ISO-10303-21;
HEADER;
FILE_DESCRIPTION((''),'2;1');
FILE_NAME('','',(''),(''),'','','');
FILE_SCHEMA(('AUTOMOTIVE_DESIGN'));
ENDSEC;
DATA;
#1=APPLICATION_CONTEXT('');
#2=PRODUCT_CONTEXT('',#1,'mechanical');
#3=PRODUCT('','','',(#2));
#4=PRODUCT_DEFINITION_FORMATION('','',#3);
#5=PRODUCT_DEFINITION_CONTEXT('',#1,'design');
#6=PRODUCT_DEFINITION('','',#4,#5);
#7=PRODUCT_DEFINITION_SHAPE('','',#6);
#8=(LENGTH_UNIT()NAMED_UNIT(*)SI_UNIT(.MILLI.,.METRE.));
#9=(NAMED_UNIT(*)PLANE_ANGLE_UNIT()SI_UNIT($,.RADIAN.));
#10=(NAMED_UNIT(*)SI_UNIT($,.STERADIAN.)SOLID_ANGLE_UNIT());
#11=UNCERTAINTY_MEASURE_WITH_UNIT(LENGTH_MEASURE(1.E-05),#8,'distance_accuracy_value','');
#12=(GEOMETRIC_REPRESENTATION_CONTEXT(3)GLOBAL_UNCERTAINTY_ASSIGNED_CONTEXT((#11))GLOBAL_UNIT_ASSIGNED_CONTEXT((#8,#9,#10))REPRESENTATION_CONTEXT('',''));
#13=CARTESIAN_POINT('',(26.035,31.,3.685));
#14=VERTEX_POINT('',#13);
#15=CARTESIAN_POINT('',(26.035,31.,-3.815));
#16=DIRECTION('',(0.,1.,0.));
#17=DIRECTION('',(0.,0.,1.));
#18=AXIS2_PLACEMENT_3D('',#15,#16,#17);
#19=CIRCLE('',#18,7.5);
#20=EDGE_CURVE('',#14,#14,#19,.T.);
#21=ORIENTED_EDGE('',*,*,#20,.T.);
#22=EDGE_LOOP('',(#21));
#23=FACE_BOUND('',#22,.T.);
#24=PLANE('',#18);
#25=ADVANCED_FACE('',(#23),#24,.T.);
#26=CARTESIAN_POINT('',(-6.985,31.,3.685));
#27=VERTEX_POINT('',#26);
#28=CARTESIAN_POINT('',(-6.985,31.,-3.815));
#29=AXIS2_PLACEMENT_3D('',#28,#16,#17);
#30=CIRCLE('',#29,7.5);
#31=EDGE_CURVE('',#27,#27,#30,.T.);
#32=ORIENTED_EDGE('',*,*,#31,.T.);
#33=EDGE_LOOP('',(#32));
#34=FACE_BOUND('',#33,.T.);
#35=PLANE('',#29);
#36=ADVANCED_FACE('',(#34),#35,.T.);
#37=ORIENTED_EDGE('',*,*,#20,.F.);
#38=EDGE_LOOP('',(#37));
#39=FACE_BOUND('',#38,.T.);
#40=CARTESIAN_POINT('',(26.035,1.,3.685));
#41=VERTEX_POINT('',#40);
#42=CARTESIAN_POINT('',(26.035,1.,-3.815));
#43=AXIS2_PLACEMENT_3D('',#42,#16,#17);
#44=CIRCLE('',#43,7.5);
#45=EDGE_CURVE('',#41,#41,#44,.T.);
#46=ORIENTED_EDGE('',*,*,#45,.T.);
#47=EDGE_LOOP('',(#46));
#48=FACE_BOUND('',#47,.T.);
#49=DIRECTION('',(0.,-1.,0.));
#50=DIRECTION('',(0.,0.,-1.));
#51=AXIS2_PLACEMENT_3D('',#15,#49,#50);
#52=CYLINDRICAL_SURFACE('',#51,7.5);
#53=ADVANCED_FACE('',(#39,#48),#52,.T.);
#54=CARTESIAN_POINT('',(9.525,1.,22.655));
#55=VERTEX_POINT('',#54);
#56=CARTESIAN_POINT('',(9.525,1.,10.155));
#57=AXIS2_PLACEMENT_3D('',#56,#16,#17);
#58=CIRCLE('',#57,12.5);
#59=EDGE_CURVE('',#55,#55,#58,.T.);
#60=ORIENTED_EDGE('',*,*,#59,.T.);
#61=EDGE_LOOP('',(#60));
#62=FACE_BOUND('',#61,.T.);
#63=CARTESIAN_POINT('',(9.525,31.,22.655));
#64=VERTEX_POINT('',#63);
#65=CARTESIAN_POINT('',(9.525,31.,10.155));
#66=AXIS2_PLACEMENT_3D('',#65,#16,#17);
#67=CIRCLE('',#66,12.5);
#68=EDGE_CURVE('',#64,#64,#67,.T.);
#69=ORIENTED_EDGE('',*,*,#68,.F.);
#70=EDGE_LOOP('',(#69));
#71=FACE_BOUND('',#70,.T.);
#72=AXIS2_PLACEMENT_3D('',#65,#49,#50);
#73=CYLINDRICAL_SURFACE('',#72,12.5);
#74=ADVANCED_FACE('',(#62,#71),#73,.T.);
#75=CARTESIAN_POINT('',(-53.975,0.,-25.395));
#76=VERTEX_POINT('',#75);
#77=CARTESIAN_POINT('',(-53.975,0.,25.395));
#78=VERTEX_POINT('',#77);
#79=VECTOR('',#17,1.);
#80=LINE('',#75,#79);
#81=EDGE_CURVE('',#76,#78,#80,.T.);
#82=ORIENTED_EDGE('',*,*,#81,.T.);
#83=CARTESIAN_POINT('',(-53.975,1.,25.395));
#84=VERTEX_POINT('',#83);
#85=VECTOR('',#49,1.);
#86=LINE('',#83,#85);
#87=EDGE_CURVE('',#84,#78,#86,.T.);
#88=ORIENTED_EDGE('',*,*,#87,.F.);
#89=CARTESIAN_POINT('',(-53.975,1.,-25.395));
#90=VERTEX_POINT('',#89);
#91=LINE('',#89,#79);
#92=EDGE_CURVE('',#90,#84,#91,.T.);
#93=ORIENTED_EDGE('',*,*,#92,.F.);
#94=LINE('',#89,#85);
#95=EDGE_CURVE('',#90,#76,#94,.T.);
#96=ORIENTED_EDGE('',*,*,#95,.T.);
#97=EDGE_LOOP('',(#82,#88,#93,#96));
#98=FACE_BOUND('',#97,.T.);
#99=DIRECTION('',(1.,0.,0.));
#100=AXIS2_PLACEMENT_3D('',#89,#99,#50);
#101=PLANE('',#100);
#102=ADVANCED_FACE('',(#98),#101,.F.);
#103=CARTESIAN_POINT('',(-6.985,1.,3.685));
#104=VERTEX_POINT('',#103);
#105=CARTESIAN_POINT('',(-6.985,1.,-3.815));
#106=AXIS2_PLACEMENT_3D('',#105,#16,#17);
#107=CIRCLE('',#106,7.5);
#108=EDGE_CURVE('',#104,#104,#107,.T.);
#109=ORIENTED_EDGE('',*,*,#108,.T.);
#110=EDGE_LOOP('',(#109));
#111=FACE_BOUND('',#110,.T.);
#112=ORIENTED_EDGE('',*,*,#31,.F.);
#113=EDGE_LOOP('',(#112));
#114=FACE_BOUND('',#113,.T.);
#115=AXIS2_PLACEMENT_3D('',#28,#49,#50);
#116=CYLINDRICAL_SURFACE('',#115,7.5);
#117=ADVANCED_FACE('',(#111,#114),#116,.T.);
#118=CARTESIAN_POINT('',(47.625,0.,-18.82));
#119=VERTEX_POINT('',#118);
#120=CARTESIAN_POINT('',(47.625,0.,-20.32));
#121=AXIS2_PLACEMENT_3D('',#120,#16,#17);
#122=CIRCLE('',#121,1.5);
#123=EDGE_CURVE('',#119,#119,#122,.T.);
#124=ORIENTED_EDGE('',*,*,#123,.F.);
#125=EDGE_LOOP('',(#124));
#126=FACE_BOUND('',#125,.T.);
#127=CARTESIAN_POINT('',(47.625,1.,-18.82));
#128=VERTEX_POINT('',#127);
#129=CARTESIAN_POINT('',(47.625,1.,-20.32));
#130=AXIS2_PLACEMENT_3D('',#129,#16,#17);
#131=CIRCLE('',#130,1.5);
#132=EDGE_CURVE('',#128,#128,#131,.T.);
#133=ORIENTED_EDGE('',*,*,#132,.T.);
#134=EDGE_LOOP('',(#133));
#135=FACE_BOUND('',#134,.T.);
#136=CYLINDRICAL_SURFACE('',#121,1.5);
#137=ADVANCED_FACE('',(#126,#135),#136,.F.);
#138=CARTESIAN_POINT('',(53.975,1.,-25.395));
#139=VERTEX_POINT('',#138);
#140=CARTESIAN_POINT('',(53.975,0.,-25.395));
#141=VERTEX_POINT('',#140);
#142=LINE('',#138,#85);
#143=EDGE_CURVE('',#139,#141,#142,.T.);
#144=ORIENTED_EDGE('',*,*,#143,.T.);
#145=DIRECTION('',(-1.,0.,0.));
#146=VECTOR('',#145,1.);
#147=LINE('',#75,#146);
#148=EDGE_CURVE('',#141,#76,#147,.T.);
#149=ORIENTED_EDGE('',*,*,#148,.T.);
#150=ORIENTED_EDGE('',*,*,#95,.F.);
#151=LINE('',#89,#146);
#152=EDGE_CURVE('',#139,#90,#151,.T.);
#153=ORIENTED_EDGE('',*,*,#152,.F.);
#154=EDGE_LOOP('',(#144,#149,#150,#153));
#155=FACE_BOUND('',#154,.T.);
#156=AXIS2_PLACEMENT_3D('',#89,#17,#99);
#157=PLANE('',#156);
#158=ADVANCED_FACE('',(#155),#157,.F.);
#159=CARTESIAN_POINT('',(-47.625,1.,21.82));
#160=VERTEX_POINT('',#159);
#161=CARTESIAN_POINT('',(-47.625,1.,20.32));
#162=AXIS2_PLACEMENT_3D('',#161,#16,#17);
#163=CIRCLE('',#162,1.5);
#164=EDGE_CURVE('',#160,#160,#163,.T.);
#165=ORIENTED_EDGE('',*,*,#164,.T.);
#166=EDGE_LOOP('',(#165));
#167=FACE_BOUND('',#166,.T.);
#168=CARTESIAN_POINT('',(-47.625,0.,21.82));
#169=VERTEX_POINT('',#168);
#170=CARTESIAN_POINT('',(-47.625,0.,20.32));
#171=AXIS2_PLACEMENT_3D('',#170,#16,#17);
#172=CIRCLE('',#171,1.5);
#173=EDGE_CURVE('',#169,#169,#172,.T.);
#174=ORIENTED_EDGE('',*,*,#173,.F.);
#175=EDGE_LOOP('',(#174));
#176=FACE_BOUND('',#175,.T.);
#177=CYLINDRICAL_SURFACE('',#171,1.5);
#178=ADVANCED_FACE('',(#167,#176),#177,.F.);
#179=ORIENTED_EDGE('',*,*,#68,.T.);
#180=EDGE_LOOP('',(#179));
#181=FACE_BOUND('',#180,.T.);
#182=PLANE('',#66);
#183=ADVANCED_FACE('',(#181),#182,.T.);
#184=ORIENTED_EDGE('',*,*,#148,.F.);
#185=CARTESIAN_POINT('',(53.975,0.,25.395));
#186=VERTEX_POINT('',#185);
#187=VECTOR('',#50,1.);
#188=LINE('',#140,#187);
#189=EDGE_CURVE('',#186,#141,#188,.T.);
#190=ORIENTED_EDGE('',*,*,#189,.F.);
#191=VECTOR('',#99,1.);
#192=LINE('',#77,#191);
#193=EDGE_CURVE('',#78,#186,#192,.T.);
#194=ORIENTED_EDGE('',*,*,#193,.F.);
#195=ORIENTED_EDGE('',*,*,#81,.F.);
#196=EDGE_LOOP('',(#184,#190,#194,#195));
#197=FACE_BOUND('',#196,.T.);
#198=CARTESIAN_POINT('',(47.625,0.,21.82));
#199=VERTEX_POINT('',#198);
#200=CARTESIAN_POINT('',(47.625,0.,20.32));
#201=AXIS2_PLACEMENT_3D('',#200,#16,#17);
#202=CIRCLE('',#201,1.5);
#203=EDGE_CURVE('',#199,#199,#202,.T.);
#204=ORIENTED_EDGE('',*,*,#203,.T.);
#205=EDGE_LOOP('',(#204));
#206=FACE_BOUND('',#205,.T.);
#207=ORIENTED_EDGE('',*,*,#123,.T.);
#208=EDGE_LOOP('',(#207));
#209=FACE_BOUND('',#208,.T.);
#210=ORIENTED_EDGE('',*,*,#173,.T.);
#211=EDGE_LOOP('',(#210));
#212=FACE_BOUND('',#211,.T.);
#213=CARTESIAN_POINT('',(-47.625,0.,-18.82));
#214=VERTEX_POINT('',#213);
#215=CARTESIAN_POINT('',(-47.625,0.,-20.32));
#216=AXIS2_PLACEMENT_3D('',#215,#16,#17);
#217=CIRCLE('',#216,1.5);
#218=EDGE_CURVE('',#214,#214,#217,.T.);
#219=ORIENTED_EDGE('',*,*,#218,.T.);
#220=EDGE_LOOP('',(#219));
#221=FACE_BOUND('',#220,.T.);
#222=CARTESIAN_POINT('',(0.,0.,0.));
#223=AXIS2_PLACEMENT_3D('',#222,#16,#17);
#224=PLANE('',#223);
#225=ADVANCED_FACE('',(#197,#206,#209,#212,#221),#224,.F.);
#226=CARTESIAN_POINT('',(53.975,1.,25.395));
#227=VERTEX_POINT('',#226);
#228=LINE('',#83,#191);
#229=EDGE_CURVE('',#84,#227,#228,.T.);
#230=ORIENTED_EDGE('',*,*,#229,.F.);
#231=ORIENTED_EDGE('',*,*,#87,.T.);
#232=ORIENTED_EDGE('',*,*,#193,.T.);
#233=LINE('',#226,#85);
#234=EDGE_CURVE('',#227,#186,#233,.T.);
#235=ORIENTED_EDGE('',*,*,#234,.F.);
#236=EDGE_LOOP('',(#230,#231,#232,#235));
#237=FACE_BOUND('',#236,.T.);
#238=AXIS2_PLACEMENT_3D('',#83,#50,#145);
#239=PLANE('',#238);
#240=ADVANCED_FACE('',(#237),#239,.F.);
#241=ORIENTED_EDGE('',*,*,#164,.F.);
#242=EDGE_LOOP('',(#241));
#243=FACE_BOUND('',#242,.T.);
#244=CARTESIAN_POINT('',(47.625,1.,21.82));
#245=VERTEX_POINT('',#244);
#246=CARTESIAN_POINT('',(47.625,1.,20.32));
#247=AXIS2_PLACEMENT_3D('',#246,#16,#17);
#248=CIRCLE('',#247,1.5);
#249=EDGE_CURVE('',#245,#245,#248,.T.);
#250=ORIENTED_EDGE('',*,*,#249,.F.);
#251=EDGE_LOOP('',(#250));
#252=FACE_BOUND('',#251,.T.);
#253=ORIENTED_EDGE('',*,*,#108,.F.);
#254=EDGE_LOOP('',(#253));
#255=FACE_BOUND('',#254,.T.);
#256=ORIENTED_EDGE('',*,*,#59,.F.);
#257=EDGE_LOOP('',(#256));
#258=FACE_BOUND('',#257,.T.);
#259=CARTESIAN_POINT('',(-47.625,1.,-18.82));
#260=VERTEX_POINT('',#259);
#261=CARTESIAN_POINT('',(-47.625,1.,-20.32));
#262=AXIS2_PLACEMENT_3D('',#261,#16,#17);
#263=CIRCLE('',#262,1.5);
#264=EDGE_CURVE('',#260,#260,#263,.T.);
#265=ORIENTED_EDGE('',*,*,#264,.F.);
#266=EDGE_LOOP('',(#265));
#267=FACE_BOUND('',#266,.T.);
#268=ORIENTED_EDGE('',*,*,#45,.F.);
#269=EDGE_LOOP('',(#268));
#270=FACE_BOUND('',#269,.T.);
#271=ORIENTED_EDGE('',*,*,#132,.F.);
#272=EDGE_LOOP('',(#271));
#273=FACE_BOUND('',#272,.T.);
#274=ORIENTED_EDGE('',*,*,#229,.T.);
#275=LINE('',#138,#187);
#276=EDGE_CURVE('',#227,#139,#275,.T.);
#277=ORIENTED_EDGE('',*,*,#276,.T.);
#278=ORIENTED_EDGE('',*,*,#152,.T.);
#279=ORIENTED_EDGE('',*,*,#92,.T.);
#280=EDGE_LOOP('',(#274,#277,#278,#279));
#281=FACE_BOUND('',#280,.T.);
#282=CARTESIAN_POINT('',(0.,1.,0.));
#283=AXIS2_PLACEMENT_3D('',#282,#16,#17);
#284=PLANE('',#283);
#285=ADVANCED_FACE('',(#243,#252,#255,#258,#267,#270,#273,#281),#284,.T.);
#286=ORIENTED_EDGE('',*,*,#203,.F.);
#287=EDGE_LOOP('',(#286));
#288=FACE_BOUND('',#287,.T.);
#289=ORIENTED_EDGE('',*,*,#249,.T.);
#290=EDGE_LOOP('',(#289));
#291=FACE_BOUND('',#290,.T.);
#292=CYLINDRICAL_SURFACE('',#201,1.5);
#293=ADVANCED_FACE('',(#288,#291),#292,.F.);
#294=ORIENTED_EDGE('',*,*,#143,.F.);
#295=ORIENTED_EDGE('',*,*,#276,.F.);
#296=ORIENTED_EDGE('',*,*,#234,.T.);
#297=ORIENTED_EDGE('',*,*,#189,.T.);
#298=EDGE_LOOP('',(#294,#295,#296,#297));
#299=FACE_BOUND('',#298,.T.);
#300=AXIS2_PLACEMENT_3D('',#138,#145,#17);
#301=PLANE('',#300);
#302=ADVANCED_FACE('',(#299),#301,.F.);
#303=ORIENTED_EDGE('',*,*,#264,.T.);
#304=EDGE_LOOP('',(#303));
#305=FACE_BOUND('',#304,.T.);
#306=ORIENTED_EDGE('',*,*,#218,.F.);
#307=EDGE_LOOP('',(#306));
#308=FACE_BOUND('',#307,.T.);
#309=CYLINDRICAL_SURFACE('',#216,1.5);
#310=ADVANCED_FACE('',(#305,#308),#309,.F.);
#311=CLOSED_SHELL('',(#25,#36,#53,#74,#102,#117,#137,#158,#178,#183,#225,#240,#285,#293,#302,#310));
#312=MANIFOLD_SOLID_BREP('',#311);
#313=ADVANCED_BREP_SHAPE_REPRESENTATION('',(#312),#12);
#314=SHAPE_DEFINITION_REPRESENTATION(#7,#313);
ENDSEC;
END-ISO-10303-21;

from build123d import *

# Parameters (mm, degrees)
SCHIZZO1_W                   = 107.95
SCHIZZO1_H                   = 50.79
ESTRUSIONE_ESTRUSIONE1_DEPTH = 1
SCHIZZO2_R                   = 1.5
TAGLIO_ESTRUSIONE1_DEPTH     = 2
SCHIZZO3_R                   = 7.5
SCHIZZO3_R_2                 = 12.5
ESTRUSIONE_ESTRUSIONE2_DEPTH = 30


with BuildPart() as part:
    # Schizzo1 → Estrusione-Estrusione1 (new body)
    with BuildSketch(Plane(origin=(0, 0, 0), x_dir=(1, 0, 0), z_dir=(0, 1, 0))):
        Rectangle(SCHIZZO1_W, SCHIZZO1_H)
    extrude(amount=ESTRUSIONE_ESTRUSIONE1_DEPTH)

    # Schizzo2 → Taglio-Estrusione1 (cut, through all)
    with BuildSketch(Plane(origin=(0, 1, 0), x_dir=(1, 0, 0), z_dir=(0, 1, 0))):
        with Locations((-47.625, 20.32)):
            Circle(SCHIZZO2_R)
        with Locations((47.625, 20.32)):
            Circle(SCHIZZO2_R)
        with Locations((47.625, -20.32)):
            Circle(SCHIZZO2_R)
        with Locations((-47.625, -20.32)):
            Circle(SCHIZZO2_R)
    extrude(amount=-TAGLIO_ESTRUSIONE1_DEPTH, mode=Mode.SUBTRACT)

    # Schizzo3 → Estrusione-Estrusione2 (add)
    with BuildSketch(Plane(origin=(0, 1, 0), x_dir=(1, 0, 0), z_dir=(0, 1, 0))):
        with Locations((26.035, 3.815)):
            Circle(SCHIZZO3_R)
        with Locations((-6.985, 3.815)):
            Circle(SCHIZZO3_R)
        with Locations((9.525, -10.155)):
            Circle(SCHIZZO3_R_2)
    extrude(amount=ESTRUSIONE_ESTRUSIONE2_DEPTH)


solid = part.part
